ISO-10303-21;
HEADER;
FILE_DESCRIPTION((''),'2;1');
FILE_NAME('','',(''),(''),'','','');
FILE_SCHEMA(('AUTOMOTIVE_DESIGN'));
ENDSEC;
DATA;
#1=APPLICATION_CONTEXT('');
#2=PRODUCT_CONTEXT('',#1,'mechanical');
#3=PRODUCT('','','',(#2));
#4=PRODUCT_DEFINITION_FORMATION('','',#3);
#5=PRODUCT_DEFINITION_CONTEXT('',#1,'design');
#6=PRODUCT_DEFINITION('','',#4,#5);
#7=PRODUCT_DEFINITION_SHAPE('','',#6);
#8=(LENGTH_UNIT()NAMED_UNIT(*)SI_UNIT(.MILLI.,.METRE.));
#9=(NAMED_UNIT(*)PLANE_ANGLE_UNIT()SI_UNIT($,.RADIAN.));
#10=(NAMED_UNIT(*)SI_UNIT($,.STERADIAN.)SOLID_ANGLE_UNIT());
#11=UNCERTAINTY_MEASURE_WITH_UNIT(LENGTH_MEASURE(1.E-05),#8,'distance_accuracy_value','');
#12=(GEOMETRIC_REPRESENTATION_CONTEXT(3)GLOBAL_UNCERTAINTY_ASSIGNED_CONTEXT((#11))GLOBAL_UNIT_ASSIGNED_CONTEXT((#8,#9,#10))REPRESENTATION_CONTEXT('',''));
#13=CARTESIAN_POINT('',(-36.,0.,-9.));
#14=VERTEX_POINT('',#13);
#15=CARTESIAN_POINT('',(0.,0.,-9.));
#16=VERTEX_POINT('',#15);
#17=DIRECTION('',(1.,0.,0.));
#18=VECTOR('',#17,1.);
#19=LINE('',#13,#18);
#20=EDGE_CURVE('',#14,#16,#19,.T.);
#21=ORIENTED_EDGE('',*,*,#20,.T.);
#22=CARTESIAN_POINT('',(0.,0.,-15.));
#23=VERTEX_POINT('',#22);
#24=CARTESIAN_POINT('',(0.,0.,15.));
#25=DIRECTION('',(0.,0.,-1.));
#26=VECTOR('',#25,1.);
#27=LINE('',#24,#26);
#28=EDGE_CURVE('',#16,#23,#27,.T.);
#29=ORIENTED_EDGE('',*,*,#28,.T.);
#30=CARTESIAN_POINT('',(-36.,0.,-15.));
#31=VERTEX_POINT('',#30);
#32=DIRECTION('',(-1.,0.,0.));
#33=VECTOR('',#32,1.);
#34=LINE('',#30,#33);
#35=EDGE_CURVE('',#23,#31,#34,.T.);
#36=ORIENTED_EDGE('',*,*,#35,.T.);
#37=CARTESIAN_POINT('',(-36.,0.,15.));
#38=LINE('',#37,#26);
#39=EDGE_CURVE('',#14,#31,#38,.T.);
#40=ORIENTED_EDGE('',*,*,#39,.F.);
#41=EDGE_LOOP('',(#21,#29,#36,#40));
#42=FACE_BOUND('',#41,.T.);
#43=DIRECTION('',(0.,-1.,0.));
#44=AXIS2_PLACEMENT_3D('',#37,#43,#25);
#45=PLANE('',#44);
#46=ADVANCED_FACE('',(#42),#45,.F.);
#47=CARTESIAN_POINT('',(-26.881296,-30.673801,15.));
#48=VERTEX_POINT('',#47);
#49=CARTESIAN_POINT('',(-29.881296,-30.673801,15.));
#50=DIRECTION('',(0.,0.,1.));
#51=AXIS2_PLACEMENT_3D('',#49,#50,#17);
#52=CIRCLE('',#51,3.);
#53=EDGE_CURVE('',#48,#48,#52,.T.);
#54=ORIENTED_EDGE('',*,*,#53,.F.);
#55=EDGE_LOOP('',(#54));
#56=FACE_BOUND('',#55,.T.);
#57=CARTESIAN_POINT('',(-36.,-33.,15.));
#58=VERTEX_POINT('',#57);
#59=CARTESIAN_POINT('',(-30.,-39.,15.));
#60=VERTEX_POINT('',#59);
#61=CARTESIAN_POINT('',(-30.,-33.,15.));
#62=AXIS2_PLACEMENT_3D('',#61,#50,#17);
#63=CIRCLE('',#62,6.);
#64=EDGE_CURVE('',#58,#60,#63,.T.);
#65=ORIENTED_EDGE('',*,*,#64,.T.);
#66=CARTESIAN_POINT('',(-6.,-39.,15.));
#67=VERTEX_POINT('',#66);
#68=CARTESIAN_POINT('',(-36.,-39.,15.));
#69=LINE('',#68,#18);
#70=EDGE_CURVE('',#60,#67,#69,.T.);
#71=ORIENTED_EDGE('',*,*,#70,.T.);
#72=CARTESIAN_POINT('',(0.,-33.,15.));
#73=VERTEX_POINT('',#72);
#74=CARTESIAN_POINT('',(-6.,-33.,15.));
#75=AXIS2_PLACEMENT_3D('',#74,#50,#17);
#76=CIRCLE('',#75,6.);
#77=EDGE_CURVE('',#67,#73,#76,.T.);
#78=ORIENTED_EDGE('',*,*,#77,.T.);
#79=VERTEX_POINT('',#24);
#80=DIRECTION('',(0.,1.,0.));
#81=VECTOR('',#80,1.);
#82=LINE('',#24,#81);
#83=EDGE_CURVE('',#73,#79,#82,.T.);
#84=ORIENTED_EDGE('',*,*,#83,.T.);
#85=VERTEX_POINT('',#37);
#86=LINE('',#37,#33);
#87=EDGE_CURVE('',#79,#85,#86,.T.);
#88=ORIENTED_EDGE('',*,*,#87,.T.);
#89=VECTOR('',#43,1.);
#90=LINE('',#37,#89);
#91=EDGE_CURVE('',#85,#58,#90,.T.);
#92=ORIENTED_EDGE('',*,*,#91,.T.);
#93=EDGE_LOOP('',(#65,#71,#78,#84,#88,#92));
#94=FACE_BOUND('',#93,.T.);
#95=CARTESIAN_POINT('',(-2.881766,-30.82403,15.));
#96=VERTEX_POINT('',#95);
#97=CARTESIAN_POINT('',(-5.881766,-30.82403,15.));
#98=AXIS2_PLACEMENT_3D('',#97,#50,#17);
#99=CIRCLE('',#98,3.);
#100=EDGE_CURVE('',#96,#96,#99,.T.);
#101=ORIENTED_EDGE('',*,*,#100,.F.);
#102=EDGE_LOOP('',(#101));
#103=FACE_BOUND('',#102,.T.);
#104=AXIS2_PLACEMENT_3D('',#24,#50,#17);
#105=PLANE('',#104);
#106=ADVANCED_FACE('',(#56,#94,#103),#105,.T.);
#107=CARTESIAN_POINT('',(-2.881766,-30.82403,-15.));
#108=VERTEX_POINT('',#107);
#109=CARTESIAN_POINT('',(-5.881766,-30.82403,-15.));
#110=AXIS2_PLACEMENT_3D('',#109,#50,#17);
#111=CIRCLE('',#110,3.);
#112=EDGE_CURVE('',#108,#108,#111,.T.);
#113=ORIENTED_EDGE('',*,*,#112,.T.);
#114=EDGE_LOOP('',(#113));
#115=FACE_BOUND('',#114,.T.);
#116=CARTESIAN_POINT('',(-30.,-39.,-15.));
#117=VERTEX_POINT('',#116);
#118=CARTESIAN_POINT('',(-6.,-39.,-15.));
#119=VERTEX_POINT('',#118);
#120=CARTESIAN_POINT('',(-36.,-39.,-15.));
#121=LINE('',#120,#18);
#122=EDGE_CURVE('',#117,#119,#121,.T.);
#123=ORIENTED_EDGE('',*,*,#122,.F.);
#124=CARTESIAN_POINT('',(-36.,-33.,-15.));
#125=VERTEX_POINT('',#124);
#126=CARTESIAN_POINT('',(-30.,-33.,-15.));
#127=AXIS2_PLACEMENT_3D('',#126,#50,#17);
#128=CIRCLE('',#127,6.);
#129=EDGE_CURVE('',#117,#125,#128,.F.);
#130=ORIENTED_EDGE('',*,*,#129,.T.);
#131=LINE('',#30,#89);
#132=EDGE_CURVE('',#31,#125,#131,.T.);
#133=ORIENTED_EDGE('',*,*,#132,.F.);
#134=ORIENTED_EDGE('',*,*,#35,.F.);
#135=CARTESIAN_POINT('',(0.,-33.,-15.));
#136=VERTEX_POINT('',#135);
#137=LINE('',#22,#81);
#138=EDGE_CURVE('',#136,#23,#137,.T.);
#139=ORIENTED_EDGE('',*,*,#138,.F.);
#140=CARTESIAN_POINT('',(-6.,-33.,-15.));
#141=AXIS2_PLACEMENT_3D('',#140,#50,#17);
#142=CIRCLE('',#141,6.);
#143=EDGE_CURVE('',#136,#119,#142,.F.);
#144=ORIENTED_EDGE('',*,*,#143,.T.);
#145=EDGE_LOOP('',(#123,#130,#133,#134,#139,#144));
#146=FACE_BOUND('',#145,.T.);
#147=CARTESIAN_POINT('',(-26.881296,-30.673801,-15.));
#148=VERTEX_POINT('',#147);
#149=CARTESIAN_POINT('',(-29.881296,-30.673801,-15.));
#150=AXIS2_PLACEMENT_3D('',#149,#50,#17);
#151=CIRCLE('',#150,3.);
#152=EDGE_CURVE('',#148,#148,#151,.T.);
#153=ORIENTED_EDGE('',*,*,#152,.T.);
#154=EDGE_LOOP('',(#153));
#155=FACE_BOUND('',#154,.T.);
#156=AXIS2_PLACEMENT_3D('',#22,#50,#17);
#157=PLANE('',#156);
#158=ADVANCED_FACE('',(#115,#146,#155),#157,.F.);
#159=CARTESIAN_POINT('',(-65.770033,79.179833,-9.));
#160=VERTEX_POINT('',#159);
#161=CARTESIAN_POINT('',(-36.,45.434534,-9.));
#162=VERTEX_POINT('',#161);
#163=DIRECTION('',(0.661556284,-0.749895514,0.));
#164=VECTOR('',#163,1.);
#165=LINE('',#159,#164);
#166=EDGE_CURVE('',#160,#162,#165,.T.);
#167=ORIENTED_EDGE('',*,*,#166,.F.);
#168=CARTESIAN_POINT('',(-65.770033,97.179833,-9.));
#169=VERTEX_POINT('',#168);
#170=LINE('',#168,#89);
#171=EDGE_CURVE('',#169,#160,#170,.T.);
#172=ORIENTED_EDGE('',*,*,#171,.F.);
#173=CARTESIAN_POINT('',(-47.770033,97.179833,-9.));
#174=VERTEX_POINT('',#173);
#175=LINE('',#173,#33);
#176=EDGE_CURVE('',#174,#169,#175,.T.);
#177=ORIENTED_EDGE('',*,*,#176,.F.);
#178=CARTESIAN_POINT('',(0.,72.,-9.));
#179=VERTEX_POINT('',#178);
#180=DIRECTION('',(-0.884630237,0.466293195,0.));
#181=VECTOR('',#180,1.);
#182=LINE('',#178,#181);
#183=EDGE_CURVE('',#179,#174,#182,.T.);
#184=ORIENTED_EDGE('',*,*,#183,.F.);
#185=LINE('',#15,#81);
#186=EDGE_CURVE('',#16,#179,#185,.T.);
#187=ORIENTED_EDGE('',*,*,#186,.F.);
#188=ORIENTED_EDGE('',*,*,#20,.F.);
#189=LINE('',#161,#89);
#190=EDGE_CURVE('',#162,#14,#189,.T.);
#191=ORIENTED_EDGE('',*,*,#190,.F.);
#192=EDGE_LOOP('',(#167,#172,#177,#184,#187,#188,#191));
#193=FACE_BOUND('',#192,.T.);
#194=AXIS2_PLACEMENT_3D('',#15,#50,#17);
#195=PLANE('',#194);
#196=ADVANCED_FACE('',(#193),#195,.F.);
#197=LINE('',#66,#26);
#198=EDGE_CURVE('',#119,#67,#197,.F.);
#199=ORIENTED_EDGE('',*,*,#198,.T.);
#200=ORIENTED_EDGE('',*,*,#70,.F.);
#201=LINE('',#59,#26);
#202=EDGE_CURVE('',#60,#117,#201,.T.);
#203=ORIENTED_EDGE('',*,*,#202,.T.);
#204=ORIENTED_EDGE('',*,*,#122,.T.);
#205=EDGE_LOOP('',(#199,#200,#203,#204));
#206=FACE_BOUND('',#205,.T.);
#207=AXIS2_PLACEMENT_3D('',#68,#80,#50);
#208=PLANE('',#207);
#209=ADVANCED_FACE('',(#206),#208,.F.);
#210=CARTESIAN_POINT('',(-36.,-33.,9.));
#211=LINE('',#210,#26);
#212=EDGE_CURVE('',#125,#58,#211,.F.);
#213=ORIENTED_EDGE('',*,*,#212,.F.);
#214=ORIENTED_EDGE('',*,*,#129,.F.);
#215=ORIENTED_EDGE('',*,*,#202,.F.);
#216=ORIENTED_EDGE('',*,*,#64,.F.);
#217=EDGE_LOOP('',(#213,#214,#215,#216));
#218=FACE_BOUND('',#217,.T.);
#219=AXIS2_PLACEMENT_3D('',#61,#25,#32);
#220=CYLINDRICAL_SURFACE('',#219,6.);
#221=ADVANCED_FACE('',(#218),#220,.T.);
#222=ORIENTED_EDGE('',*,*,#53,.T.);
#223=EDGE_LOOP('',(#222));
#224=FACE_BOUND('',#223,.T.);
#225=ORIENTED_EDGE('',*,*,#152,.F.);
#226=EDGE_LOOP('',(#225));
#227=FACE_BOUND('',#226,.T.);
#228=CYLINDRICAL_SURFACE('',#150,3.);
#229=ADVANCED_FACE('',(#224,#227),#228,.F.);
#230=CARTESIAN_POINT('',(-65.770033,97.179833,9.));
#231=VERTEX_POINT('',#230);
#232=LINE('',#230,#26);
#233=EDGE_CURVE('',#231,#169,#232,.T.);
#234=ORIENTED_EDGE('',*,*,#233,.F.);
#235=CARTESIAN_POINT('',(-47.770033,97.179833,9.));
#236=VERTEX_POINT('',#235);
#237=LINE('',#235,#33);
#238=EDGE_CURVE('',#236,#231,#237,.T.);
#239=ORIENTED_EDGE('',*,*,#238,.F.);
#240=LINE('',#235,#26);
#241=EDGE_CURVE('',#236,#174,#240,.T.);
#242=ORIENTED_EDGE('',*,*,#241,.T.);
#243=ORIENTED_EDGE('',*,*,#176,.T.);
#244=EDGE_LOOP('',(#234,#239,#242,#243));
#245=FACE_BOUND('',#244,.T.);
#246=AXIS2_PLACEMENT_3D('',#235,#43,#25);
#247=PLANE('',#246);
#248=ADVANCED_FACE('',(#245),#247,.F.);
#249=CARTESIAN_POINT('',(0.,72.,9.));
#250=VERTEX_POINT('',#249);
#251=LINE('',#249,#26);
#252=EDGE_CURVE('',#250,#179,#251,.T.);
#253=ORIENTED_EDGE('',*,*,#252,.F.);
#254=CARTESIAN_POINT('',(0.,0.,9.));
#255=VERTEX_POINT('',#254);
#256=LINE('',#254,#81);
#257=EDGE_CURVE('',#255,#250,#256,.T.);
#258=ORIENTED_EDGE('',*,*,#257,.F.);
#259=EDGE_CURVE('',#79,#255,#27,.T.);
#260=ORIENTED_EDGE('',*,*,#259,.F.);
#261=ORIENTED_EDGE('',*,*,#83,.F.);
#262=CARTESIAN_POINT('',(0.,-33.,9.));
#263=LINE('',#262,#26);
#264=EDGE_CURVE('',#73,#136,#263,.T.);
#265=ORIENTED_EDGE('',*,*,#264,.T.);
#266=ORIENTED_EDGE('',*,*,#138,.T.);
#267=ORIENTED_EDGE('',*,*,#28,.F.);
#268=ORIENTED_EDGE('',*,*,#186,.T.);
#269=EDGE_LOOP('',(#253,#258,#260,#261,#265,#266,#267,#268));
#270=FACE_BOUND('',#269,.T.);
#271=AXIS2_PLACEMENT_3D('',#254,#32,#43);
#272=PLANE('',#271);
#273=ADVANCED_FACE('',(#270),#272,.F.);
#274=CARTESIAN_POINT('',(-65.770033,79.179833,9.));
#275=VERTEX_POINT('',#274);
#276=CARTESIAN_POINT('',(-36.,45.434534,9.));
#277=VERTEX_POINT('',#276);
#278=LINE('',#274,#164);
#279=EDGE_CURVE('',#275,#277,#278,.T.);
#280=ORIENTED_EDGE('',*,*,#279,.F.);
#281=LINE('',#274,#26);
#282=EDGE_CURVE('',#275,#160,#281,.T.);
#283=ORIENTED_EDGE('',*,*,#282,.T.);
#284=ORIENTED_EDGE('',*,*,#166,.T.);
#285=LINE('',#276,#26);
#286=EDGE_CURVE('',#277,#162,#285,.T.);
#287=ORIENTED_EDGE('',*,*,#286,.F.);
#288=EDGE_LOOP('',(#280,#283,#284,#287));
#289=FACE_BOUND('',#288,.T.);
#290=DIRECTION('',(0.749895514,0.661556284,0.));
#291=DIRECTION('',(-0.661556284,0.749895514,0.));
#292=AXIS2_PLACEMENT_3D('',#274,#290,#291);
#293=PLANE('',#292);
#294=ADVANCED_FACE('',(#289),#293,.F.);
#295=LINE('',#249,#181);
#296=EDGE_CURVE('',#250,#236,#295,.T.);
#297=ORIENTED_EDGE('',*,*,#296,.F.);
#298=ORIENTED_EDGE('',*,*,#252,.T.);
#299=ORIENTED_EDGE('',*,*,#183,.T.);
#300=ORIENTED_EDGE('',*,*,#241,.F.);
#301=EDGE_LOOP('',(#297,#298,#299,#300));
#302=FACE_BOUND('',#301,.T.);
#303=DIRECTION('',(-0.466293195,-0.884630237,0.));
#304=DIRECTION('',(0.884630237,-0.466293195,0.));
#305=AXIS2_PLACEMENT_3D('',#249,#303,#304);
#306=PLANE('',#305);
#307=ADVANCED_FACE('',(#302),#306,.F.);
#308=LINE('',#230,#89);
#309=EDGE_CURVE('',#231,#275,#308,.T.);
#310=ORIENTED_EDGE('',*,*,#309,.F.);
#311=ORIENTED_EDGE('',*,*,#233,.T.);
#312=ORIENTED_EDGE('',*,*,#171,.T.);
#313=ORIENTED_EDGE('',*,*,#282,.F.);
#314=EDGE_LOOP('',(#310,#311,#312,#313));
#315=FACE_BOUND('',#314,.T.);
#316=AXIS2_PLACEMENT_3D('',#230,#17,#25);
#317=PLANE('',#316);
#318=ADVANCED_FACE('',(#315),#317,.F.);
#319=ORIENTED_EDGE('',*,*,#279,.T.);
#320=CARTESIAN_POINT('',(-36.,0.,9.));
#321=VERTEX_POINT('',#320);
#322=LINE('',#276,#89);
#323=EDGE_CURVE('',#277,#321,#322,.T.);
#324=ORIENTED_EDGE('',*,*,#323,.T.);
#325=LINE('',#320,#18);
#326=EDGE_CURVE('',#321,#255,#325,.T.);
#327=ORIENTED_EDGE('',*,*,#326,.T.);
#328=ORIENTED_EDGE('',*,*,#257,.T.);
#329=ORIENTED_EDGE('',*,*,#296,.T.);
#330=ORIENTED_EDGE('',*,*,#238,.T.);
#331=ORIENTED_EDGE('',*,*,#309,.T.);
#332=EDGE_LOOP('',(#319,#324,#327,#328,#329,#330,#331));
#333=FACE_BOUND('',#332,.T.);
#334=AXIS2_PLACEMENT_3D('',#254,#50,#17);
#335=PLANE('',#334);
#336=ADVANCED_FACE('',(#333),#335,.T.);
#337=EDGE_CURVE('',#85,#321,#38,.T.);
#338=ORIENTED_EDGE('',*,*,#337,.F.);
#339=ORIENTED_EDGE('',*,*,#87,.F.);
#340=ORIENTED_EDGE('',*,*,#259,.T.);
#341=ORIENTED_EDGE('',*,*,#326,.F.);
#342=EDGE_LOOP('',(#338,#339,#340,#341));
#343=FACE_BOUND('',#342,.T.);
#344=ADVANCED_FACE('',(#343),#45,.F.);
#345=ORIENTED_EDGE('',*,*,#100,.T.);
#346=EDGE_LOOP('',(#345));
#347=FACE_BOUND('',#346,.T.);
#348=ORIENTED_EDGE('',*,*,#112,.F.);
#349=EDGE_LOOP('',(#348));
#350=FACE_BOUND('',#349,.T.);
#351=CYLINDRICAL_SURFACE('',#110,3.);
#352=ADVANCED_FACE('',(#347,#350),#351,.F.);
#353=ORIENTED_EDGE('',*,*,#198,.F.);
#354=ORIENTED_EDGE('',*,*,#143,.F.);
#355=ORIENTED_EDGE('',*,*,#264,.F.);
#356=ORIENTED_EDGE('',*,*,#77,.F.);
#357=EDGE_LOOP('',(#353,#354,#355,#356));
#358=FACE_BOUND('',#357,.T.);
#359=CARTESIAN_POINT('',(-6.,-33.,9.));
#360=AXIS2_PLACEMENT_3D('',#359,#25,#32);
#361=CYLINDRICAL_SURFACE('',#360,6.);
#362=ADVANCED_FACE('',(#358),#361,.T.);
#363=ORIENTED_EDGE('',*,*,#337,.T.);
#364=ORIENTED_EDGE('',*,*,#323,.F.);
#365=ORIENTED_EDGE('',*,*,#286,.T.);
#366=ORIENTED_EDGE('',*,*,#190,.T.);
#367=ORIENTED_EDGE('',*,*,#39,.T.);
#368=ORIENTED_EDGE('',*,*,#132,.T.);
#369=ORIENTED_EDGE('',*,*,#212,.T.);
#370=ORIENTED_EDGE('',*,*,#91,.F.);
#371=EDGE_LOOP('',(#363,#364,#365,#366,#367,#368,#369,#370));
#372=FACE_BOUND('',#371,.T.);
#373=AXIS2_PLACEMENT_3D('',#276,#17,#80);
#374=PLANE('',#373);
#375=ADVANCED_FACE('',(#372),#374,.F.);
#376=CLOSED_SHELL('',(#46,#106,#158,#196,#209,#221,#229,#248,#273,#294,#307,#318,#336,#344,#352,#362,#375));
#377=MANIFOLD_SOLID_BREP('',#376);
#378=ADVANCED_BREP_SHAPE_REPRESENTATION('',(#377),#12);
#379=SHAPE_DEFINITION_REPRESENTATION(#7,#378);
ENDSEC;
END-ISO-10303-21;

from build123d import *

# Parameters (mm, degrees)
EXTRUDE_1_DEPTH     = 9
EXTRUDE_2_DEPTH     = 36
SKETCH_3_W          = 36
SKETCH_3_H          = 39
EXTRUDE_4_DEPTH     = 15
SKETCH_5_R          = 3
CUT_EXTRUDE_1_DEPTH = 122.11819461
FILLET_1_R          = 6


with BuildPart() as part:
    # 草图1 → 凸台-拉伸1 (new, symmetric)
    with BuildSketch(Plane.XY):
        Polygon((0, 0), (0, 72), (-47.770032799, 97.179832534), (-65.770032799, 97.179832534), (-65.770032799, 79.179832534), (-36, 45.434534385), (-36, 0), align=None)
    extrude(amount=EXTRUDE_1_DEPTH, both=True)

    # 草图2 → 凸台-拉伸2 (add)
    with BuildSketch(Plane(origin=(0, 0, 0), x_dir=(0, 0, -1), z_dir=(1, 0, 0))):
        Polygon((-3.6, 0), (-8.977776638, -6), (9.022223362, -6), (3.6, 0), align=None)
    extrude(amount=-EXTRUDE_2_DEPTH)

    # 草图3 → 凸台-拉伸4 (add, symmetric)
    with BuildSketch(Plane.XY):
        with Locations((-18, -19.5)):
            Rectangle(SKETCH_3_W, SKETCH_3_H)
    extrude(amount=EXTRUDE_4_DEPTH, both=True)

    # 草图5 → 切除-拉伸1 (cut, through all)
    with BuildSketch(Plane.XY.offset(15)):
        with Locations((-29.881296057, -30.673800583)):
            Circle(SKETCH_5_R)
        with Locations((-5.88176625, -30.824030402)):
            Circle(SKETCH_5_R)
    extrude(amount=-CUT_EXTRUDE_1_DEPTH, mode=Mode.SUBTRACT)

    # 圆角1
    fillet_1_edges = [part.edges().sort_by_distance(p)[0] for p in [
        (-36, -39, 0),
        (0, -39, 0),
    ]]
    fillet(fillet_1_edges, radius=FILLET_1_R)


solid = part.part
